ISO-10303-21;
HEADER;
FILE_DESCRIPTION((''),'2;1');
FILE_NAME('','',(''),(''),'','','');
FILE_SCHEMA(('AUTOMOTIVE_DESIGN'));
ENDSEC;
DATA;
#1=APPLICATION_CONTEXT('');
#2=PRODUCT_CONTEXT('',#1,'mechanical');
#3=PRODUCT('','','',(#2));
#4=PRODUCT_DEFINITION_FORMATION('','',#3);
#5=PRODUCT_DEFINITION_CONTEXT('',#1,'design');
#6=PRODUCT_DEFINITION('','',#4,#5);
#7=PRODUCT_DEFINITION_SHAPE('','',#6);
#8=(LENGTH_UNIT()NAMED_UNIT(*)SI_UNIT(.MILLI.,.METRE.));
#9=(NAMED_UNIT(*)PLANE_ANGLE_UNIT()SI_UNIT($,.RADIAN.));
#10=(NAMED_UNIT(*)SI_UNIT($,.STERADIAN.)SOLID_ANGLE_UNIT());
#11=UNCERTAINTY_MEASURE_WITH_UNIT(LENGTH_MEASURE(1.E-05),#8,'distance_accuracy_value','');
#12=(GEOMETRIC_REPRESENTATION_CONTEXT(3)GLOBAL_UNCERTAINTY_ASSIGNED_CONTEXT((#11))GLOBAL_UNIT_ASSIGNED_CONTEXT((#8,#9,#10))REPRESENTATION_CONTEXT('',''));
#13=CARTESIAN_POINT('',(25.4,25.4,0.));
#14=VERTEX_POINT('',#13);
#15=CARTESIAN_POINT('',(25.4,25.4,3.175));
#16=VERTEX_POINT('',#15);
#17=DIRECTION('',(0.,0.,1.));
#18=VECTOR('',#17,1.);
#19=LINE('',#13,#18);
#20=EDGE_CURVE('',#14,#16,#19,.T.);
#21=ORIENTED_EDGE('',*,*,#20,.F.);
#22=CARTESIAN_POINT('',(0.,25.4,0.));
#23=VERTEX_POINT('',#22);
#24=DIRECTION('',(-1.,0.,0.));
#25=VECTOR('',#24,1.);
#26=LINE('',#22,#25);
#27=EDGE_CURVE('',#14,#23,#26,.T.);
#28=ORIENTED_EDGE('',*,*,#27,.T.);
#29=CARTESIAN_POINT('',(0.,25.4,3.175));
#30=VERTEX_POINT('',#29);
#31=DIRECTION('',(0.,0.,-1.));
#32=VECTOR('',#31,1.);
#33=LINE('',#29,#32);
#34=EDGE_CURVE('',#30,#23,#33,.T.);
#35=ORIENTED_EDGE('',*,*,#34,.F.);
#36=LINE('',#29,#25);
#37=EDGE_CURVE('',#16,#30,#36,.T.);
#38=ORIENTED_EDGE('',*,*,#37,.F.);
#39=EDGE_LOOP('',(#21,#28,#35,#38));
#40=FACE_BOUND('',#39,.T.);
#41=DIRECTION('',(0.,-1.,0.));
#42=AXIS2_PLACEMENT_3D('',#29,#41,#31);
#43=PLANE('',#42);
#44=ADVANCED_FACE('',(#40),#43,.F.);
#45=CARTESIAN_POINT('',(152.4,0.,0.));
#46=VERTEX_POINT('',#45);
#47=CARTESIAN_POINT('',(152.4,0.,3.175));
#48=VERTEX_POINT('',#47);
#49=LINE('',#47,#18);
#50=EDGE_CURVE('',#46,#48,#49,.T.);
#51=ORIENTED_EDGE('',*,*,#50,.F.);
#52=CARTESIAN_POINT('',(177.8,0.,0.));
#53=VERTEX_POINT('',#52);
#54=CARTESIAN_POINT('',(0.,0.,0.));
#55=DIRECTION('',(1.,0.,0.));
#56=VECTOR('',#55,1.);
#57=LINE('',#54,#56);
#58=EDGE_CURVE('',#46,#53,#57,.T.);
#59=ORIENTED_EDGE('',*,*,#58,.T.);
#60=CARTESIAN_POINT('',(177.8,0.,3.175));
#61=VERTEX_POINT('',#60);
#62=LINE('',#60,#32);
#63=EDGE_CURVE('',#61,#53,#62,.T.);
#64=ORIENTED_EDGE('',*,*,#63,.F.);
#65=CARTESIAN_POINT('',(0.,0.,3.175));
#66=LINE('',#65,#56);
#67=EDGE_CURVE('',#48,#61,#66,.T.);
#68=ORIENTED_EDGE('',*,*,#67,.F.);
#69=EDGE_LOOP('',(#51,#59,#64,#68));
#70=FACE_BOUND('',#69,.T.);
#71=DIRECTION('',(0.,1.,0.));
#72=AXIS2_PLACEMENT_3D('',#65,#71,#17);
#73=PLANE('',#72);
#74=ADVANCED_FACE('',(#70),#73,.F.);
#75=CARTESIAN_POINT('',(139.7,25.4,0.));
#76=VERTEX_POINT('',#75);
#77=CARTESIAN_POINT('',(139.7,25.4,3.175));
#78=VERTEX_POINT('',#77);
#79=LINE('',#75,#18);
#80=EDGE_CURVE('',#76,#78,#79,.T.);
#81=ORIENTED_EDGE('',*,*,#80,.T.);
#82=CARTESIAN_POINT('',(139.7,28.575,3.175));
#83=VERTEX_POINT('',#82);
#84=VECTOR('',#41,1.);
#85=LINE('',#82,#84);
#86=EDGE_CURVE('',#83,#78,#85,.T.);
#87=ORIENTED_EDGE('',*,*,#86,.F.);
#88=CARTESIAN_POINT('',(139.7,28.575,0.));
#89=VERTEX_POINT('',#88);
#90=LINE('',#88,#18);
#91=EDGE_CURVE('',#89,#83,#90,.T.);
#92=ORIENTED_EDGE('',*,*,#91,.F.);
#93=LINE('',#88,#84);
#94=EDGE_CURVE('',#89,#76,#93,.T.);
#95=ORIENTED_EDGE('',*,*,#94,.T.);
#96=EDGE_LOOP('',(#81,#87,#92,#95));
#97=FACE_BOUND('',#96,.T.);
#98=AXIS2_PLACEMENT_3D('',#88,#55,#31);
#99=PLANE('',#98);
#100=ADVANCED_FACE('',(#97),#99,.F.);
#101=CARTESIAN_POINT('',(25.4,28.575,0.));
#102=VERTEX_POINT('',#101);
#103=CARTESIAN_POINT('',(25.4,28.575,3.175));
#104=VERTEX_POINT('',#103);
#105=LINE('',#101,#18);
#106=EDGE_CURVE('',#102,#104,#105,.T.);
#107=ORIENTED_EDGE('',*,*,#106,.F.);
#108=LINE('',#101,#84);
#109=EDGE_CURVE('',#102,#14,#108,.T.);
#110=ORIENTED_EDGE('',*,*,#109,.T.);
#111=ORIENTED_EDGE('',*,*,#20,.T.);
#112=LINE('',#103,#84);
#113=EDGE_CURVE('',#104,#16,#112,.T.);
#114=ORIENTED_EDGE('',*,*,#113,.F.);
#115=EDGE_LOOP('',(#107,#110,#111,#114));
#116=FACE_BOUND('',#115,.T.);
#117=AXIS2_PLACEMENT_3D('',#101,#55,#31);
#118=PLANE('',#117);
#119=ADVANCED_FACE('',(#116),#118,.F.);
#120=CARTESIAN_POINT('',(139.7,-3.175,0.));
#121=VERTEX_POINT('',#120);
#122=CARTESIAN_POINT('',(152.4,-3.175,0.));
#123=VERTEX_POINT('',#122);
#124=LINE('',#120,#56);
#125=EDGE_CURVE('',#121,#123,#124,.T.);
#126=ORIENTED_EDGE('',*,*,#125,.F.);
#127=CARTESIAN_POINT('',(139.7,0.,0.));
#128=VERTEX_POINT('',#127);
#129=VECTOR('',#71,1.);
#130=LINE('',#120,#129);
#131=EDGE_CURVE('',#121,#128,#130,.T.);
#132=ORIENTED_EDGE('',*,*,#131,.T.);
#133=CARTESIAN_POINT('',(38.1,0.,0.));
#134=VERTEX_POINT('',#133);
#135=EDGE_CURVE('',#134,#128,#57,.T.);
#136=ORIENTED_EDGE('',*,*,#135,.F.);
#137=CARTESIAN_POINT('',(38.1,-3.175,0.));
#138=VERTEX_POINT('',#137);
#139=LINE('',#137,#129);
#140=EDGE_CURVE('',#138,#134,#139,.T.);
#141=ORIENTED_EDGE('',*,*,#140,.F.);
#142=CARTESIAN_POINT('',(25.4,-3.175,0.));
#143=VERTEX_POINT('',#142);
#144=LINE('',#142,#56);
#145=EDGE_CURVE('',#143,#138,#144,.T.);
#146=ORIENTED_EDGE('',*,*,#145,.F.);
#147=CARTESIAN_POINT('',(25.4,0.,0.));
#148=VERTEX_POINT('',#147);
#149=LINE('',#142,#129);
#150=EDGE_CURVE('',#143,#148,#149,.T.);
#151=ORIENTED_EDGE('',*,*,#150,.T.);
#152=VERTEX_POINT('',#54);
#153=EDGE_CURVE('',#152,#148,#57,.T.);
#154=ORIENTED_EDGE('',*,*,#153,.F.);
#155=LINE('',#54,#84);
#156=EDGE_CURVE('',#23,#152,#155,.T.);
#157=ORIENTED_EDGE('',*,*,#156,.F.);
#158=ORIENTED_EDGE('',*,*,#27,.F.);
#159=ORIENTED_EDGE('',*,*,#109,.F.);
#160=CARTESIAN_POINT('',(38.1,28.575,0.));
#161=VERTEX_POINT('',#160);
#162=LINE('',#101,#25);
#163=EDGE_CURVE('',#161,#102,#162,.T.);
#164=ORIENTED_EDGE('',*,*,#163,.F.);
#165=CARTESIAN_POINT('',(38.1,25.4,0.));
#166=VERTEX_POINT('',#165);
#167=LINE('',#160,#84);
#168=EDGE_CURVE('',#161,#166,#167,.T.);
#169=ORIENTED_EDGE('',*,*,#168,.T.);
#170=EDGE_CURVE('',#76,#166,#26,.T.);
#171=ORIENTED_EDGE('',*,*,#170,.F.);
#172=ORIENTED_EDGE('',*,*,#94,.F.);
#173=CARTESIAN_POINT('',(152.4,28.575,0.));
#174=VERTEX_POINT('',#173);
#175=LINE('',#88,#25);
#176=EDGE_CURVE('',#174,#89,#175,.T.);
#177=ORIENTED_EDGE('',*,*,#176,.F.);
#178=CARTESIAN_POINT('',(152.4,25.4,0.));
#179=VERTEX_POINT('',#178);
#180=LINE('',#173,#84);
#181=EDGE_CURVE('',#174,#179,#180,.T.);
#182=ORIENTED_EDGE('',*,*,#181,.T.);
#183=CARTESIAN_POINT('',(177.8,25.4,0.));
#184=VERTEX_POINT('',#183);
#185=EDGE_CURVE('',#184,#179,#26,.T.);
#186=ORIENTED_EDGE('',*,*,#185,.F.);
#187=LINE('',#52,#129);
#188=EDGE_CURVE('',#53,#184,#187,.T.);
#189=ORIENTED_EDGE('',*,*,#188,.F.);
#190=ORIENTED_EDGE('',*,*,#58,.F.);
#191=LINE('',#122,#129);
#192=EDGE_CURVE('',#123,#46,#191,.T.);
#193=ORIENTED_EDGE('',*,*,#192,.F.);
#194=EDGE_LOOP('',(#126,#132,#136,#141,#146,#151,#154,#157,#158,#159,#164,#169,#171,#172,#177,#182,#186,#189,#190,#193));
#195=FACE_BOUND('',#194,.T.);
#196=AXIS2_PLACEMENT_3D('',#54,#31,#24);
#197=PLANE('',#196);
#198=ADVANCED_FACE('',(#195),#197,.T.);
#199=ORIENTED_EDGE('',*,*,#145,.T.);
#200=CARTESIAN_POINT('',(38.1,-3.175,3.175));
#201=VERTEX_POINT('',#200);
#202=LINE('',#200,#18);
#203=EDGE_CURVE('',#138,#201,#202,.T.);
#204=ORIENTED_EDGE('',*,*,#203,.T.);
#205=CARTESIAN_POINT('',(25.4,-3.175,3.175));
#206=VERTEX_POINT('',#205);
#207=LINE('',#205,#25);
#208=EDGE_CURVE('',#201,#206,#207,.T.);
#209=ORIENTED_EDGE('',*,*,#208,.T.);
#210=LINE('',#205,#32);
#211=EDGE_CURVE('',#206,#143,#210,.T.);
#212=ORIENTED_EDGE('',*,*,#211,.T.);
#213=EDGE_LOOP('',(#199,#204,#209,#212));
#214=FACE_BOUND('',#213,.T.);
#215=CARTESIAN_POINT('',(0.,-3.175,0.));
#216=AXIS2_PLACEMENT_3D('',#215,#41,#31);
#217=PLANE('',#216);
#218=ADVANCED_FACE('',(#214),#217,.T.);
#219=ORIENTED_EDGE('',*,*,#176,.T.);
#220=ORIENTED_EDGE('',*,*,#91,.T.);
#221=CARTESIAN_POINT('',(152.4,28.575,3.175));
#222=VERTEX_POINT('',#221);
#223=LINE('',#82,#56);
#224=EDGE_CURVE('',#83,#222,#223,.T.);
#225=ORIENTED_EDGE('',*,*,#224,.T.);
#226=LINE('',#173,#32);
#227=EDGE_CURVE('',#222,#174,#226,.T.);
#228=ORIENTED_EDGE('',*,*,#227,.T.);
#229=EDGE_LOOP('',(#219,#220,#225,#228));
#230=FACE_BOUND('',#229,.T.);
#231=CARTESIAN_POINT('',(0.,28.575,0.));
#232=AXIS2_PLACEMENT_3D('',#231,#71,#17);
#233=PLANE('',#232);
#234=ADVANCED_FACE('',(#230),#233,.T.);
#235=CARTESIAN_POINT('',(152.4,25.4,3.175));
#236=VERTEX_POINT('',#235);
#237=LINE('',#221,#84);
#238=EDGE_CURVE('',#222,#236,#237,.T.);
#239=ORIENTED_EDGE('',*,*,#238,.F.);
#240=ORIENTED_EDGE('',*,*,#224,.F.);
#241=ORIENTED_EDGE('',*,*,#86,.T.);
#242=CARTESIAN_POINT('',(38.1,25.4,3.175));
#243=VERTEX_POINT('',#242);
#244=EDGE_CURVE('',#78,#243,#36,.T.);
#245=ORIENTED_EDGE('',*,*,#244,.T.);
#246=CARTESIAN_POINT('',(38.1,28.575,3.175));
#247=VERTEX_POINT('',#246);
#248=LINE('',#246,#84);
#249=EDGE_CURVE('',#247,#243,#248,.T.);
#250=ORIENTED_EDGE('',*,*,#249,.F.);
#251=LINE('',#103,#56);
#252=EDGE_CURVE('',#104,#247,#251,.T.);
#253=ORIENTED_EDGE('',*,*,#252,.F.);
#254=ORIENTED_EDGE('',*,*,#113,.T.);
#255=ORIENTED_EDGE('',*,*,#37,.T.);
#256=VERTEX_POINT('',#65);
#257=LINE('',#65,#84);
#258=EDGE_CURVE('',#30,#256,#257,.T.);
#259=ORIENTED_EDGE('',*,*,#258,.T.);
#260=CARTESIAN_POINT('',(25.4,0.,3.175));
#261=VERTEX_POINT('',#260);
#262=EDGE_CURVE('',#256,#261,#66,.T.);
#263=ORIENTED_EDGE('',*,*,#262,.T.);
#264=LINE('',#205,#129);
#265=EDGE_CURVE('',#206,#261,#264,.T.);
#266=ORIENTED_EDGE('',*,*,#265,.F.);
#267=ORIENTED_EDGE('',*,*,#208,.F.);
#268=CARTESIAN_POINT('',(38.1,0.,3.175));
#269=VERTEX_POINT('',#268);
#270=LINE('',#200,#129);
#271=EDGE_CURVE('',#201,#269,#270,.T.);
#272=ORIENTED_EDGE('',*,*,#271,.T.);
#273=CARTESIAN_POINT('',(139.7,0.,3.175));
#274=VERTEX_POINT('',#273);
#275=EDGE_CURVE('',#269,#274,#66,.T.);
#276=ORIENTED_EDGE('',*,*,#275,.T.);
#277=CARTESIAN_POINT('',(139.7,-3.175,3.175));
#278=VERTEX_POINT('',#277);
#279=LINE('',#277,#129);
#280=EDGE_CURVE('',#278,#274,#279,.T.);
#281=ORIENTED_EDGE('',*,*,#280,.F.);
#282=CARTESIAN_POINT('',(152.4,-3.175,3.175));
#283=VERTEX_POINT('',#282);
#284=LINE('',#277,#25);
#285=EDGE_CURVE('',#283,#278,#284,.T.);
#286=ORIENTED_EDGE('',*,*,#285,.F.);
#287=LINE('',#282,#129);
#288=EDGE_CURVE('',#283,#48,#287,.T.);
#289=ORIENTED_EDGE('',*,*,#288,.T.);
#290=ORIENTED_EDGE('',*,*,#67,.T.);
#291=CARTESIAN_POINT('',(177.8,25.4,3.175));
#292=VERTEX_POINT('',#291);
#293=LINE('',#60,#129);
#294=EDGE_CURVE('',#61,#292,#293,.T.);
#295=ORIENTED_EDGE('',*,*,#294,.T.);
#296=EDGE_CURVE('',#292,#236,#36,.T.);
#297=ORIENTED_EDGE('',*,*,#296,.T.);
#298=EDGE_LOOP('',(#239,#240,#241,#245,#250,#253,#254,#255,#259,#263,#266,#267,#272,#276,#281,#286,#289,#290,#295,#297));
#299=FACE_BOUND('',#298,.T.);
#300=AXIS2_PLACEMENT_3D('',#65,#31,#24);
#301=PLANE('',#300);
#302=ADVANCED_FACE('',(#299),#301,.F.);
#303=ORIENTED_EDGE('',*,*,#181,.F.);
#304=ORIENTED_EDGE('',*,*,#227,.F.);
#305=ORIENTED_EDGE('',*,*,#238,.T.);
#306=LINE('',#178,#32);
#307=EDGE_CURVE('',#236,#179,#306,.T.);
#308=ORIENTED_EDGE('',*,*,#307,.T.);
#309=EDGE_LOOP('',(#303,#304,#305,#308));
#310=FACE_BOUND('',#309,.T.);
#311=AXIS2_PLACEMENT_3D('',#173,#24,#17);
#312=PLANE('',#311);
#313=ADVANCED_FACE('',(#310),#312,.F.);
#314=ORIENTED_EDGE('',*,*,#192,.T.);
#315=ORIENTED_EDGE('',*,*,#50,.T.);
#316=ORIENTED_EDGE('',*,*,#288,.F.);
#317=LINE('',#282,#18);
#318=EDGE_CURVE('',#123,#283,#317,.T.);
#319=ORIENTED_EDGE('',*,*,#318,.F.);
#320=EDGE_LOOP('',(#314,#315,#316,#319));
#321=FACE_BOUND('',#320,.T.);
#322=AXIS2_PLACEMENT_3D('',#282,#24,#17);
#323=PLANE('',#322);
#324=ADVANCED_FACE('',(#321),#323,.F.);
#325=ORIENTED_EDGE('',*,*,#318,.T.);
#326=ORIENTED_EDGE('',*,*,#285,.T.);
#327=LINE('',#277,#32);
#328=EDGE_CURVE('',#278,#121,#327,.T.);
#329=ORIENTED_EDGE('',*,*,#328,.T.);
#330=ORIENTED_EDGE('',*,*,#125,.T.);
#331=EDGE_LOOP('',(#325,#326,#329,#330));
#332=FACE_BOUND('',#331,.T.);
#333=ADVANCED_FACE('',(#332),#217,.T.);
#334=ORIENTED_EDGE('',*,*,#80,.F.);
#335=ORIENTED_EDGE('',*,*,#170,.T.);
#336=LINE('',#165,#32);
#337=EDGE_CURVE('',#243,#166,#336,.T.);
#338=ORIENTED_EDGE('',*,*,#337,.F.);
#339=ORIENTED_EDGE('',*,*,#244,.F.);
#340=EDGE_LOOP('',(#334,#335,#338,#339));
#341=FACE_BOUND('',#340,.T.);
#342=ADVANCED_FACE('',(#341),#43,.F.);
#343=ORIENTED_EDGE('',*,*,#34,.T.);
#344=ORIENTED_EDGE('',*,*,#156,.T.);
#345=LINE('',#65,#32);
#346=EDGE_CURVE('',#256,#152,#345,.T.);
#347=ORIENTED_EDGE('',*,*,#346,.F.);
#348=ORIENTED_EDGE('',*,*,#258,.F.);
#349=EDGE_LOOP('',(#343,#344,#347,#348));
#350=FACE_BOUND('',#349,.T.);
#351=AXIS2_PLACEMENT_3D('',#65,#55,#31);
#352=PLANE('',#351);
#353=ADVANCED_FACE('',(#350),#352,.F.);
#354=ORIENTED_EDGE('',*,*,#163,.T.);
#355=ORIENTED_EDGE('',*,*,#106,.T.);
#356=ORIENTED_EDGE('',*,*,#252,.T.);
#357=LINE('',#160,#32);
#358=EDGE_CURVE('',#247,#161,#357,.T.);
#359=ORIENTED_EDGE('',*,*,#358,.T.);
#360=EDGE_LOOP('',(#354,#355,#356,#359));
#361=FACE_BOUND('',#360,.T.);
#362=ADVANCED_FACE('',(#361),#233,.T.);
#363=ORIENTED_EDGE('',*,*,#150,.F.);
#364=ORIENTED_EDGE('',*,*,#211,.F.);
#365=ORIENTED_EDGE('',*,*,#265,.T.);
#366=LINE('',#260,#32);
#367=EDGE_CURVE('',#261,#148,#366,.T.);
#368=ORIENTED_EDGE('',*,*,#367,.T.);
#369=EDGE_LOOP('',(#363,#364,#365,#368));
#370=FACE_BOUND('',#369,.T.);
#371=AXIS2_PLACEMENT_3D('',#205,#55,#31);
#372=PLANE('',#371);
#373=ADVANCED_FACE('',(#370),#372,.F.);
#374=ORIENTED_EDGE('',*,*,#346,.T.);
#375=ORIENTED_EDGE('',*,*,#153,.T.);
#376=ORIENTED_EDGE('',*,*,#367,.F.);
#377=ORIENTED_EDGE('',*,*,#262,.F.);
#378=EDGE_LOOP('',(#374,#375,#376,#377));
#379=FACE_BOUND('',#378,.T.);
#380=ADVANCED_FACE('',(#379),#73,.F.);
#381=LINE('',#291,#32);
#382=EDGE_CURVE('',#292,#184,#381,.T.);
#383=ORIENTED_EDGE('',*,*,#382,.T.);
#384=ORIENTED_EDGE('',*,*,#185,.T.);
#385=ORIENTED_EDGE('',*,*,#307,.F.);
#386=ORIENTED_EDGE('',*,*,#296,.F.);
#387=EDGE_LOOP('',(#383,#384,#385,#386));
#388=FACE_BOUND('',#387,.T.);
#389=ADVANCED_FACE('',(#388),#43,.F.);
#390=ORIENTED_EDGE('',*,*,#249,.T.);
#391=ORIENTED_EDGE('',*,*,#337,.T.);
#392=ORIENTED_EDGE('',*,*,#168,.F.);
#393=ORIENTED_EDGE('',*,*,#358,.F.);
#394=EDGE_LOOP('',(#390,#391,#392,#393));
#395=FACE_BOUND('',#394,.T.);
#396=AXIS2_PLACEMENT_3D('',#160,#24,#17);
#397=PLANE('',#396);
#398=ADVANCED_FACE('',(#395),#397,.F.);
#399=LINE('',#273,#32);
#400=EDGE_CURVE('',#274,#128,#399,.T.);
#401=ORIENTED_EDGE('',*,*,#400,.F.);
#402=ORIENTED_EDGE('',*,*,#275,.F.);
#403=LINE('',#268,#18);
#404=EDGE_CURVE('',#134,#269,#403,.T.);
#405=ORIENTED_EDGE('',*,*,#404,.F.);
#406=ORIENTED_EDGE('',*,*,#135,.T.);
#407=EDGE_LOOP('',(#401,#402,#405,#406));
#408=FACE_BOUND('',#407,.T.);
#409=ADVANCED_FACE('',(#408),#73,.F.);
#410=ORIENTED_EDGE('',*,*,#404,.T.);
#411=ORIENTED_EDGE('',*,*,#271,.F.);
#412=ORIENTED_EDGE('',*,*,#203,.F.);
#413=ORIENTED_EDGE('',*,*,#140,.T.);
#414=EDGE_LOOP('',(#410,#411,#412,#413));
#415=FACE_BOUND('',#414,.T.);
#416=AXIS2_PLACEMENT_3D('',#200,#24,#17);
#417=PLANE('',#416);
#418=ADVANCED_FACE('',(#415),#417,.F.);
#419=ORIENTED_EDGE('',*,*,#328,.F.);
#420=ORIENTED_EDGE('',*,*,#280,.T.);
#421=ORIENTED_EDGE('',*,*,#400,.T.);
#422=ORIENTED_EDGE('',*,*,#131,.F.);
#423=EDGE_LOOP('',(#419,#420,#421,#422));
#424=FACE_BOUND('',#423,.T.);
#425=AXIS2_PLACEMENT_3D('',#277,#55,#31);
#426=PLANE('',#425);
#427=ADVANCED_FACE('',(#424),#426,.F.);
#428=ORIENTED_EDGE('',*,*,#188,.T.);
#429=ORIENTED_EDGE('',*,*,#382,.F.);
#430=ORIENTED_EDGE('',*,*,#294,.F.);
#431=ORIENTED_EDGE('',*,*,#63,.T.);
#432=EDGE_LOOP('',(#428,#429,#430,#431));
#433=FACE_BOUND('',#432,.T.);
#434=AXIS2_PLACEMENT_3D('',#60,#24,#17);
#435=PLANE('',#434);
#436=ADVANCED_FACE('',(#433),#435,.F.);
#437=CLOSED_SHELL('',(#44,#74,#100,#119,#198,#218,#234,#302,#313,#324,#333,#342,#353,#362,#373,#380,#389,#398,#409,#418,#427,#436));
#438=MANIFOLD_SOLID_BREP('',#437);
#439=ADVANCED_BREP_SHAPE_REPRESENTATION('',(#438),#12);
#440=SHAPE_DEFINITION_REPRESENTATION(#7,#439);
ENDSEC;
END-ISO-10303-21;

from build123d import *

# Parameters (mm, degrees)
SKETCH1_W           = 177.8
SKETCH1_H           = 25.4
BOSS_EXTRUDE1_DEPTH = 3.175
SKETCH2_W           = 12.7
SKETCH2_H           = 3.175
BOSS_EXTRUDE2_DEPTH = 3.175
SKETCH3_W           = 12.7
SKETCH3_H           = 3.175
BOSS_EXTRUDE3_DEPTH = 3.175


with BuildPart() as part:
    # Sketch1 → Boss-Extrude1 (new body)
    with BuildSketch(Plane.XY):
        with Locations((88.9, 12.7)):
            Rectangle(SKETCH1_W, SKETCH1_H)
    extrude(amount=BOSS_EXTRUDE1_DEPTH)

    # Sketch2 → Boss-Extrude2 (add)
    with BuildSketch(Plane(origin=(0, 25.4, 0), x_dir=(1, 0, 0), z_dir=(0, 1, 0))):
        with Locations((31.75, -1.5875)):
            Rectangle(SKETCH2_W, SKETCH2_H)
        with Locations((146.05, -1.5875)):
            Rectangle(SKETCH2_W, SKETCH2_H)
    extrude(amount=BOSS_EXTRUDE2_DEPTH)

    # Sketch3 → Boss-Extrude3 (add)
    with BuildSketch(Plane.XZ):
        with Locations((31.75, 1.5875)):
            Rectangle(SKETCH3_W, SKETCH3_H)
        with Locations((146.05, 1.5875)):
            Rectangle(SKETCH3_W, SKETCH3_H)
    extrude(amount=BOSS_EXTRUDE3_DEPTH)


solid = part.part
